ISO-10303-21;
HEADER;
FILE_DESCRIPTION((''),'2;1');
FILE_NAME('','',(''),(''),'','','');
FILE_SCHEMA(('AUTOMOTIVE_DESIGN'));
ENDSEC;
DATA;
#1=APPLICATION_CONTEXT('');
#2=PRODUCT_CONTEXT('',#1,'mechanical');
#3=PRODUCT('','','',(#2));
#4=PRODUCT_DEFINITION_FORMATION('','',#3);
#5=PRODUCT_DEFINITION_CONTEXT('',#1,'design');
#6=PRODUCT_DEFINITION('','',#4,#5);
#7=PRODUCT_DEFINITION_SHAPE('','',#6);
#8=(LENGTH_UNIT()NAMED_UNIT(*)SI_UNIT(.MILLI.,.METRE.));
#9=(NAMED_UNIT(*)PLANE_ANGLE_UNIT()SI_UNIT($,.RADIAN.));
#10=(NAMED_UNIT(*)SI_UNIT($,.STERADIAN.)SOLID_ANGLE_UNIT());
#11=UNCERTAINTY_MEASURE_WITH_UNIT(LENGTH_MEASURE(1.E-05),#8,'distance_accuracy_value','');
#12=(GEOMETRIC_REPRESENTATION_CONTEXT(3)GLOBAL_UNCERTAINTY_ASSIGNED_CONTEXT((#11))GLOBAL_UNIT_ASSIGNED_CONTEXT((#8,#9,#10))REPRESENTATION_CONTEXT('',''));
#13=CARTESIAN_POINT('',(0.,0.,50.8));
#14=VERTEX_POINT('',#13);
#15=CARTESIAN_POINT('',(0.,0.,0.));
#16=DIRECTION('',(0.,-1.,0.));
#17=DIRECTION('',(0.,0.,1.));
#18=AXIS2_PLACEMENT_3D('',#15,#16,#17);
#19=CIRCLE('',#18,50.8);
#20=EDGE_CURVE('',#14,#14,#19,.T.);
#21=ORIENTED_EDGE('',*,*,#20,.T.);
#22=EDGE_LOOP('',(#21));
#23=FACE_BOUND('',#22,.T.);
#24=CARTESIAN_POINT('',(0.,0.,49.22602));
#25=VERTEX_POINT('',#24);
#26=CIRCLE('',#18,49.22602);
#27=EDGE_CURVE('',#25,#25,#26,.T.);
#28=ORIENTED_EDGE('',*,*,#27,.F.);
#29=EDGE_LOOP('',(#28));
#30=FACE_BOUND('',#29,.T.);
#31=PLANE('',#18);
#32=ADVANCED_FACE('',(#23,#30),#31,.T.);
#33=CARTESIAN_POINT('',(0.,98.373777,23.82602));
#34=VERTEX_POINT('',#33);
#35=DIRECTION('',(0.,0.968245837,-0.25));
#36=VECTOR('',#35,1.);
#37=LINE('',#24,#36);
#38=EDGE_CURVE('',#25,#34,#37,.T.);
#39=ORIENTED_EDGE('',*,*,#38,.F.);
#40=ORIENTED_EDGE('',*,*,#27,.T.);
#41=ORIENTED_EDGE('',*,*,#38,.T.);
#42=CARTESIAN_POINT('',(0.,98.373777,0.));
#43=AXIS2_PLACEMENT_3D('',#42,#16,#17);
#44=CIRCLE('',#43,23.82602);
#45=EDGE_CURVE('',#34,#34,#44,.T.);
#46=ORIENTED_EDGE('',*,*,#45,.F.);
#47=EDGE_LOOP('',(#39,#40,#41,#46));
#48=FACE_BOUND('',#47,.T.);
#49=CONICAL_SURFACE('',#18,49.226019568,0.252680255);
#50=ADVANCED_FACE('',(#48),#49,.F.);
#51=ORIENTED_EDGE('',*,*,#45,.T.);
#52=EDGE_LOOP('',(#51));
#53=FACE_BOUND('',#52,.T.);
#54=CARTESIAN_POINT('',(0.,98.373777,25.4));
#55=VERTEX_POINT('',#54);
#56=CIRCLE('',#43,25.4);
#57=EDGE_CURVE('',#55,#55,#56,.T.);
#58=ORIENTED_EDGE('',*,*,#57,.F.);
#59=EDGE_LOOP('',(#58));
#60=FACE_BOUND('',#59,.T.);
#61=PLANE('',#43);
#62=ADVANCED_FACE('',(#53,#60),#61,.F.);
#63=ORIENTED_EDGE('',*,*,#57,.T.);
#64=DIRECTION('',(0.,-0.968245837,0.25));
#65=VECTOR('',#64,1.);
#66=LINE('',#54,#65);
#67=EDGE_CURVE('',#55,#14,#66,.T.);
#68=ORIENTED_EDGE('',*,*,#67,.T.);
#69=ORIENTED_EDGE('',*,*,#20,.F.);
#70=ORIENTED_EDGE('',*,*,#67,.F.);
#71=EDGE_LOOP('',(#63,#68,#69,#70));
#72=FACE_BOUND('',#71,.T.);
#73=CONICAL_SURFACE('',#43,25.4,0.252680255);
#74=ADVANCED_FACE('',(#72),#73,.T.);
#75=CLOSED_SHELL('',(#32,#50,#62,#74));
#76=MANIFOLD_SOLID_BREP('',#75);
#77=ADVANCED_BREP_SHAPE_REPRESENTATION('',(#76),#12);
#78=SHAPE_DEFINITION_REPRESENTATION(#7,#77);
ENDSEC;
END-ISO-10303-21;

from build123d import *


with BuildPart() as f2:
    # F1 (on Right) → F2 (revolve)
    with BuildSketch(Plane.YZ):
        Polygon((98.3737769937, 25.4), (0, 50.8), (0, 49.2260195681), (98.3737769937, 23.8260195681), align=None)
    revolve(axis=Axis((0, 0, 0), (0, -1, 0)))


solid = f2.part
